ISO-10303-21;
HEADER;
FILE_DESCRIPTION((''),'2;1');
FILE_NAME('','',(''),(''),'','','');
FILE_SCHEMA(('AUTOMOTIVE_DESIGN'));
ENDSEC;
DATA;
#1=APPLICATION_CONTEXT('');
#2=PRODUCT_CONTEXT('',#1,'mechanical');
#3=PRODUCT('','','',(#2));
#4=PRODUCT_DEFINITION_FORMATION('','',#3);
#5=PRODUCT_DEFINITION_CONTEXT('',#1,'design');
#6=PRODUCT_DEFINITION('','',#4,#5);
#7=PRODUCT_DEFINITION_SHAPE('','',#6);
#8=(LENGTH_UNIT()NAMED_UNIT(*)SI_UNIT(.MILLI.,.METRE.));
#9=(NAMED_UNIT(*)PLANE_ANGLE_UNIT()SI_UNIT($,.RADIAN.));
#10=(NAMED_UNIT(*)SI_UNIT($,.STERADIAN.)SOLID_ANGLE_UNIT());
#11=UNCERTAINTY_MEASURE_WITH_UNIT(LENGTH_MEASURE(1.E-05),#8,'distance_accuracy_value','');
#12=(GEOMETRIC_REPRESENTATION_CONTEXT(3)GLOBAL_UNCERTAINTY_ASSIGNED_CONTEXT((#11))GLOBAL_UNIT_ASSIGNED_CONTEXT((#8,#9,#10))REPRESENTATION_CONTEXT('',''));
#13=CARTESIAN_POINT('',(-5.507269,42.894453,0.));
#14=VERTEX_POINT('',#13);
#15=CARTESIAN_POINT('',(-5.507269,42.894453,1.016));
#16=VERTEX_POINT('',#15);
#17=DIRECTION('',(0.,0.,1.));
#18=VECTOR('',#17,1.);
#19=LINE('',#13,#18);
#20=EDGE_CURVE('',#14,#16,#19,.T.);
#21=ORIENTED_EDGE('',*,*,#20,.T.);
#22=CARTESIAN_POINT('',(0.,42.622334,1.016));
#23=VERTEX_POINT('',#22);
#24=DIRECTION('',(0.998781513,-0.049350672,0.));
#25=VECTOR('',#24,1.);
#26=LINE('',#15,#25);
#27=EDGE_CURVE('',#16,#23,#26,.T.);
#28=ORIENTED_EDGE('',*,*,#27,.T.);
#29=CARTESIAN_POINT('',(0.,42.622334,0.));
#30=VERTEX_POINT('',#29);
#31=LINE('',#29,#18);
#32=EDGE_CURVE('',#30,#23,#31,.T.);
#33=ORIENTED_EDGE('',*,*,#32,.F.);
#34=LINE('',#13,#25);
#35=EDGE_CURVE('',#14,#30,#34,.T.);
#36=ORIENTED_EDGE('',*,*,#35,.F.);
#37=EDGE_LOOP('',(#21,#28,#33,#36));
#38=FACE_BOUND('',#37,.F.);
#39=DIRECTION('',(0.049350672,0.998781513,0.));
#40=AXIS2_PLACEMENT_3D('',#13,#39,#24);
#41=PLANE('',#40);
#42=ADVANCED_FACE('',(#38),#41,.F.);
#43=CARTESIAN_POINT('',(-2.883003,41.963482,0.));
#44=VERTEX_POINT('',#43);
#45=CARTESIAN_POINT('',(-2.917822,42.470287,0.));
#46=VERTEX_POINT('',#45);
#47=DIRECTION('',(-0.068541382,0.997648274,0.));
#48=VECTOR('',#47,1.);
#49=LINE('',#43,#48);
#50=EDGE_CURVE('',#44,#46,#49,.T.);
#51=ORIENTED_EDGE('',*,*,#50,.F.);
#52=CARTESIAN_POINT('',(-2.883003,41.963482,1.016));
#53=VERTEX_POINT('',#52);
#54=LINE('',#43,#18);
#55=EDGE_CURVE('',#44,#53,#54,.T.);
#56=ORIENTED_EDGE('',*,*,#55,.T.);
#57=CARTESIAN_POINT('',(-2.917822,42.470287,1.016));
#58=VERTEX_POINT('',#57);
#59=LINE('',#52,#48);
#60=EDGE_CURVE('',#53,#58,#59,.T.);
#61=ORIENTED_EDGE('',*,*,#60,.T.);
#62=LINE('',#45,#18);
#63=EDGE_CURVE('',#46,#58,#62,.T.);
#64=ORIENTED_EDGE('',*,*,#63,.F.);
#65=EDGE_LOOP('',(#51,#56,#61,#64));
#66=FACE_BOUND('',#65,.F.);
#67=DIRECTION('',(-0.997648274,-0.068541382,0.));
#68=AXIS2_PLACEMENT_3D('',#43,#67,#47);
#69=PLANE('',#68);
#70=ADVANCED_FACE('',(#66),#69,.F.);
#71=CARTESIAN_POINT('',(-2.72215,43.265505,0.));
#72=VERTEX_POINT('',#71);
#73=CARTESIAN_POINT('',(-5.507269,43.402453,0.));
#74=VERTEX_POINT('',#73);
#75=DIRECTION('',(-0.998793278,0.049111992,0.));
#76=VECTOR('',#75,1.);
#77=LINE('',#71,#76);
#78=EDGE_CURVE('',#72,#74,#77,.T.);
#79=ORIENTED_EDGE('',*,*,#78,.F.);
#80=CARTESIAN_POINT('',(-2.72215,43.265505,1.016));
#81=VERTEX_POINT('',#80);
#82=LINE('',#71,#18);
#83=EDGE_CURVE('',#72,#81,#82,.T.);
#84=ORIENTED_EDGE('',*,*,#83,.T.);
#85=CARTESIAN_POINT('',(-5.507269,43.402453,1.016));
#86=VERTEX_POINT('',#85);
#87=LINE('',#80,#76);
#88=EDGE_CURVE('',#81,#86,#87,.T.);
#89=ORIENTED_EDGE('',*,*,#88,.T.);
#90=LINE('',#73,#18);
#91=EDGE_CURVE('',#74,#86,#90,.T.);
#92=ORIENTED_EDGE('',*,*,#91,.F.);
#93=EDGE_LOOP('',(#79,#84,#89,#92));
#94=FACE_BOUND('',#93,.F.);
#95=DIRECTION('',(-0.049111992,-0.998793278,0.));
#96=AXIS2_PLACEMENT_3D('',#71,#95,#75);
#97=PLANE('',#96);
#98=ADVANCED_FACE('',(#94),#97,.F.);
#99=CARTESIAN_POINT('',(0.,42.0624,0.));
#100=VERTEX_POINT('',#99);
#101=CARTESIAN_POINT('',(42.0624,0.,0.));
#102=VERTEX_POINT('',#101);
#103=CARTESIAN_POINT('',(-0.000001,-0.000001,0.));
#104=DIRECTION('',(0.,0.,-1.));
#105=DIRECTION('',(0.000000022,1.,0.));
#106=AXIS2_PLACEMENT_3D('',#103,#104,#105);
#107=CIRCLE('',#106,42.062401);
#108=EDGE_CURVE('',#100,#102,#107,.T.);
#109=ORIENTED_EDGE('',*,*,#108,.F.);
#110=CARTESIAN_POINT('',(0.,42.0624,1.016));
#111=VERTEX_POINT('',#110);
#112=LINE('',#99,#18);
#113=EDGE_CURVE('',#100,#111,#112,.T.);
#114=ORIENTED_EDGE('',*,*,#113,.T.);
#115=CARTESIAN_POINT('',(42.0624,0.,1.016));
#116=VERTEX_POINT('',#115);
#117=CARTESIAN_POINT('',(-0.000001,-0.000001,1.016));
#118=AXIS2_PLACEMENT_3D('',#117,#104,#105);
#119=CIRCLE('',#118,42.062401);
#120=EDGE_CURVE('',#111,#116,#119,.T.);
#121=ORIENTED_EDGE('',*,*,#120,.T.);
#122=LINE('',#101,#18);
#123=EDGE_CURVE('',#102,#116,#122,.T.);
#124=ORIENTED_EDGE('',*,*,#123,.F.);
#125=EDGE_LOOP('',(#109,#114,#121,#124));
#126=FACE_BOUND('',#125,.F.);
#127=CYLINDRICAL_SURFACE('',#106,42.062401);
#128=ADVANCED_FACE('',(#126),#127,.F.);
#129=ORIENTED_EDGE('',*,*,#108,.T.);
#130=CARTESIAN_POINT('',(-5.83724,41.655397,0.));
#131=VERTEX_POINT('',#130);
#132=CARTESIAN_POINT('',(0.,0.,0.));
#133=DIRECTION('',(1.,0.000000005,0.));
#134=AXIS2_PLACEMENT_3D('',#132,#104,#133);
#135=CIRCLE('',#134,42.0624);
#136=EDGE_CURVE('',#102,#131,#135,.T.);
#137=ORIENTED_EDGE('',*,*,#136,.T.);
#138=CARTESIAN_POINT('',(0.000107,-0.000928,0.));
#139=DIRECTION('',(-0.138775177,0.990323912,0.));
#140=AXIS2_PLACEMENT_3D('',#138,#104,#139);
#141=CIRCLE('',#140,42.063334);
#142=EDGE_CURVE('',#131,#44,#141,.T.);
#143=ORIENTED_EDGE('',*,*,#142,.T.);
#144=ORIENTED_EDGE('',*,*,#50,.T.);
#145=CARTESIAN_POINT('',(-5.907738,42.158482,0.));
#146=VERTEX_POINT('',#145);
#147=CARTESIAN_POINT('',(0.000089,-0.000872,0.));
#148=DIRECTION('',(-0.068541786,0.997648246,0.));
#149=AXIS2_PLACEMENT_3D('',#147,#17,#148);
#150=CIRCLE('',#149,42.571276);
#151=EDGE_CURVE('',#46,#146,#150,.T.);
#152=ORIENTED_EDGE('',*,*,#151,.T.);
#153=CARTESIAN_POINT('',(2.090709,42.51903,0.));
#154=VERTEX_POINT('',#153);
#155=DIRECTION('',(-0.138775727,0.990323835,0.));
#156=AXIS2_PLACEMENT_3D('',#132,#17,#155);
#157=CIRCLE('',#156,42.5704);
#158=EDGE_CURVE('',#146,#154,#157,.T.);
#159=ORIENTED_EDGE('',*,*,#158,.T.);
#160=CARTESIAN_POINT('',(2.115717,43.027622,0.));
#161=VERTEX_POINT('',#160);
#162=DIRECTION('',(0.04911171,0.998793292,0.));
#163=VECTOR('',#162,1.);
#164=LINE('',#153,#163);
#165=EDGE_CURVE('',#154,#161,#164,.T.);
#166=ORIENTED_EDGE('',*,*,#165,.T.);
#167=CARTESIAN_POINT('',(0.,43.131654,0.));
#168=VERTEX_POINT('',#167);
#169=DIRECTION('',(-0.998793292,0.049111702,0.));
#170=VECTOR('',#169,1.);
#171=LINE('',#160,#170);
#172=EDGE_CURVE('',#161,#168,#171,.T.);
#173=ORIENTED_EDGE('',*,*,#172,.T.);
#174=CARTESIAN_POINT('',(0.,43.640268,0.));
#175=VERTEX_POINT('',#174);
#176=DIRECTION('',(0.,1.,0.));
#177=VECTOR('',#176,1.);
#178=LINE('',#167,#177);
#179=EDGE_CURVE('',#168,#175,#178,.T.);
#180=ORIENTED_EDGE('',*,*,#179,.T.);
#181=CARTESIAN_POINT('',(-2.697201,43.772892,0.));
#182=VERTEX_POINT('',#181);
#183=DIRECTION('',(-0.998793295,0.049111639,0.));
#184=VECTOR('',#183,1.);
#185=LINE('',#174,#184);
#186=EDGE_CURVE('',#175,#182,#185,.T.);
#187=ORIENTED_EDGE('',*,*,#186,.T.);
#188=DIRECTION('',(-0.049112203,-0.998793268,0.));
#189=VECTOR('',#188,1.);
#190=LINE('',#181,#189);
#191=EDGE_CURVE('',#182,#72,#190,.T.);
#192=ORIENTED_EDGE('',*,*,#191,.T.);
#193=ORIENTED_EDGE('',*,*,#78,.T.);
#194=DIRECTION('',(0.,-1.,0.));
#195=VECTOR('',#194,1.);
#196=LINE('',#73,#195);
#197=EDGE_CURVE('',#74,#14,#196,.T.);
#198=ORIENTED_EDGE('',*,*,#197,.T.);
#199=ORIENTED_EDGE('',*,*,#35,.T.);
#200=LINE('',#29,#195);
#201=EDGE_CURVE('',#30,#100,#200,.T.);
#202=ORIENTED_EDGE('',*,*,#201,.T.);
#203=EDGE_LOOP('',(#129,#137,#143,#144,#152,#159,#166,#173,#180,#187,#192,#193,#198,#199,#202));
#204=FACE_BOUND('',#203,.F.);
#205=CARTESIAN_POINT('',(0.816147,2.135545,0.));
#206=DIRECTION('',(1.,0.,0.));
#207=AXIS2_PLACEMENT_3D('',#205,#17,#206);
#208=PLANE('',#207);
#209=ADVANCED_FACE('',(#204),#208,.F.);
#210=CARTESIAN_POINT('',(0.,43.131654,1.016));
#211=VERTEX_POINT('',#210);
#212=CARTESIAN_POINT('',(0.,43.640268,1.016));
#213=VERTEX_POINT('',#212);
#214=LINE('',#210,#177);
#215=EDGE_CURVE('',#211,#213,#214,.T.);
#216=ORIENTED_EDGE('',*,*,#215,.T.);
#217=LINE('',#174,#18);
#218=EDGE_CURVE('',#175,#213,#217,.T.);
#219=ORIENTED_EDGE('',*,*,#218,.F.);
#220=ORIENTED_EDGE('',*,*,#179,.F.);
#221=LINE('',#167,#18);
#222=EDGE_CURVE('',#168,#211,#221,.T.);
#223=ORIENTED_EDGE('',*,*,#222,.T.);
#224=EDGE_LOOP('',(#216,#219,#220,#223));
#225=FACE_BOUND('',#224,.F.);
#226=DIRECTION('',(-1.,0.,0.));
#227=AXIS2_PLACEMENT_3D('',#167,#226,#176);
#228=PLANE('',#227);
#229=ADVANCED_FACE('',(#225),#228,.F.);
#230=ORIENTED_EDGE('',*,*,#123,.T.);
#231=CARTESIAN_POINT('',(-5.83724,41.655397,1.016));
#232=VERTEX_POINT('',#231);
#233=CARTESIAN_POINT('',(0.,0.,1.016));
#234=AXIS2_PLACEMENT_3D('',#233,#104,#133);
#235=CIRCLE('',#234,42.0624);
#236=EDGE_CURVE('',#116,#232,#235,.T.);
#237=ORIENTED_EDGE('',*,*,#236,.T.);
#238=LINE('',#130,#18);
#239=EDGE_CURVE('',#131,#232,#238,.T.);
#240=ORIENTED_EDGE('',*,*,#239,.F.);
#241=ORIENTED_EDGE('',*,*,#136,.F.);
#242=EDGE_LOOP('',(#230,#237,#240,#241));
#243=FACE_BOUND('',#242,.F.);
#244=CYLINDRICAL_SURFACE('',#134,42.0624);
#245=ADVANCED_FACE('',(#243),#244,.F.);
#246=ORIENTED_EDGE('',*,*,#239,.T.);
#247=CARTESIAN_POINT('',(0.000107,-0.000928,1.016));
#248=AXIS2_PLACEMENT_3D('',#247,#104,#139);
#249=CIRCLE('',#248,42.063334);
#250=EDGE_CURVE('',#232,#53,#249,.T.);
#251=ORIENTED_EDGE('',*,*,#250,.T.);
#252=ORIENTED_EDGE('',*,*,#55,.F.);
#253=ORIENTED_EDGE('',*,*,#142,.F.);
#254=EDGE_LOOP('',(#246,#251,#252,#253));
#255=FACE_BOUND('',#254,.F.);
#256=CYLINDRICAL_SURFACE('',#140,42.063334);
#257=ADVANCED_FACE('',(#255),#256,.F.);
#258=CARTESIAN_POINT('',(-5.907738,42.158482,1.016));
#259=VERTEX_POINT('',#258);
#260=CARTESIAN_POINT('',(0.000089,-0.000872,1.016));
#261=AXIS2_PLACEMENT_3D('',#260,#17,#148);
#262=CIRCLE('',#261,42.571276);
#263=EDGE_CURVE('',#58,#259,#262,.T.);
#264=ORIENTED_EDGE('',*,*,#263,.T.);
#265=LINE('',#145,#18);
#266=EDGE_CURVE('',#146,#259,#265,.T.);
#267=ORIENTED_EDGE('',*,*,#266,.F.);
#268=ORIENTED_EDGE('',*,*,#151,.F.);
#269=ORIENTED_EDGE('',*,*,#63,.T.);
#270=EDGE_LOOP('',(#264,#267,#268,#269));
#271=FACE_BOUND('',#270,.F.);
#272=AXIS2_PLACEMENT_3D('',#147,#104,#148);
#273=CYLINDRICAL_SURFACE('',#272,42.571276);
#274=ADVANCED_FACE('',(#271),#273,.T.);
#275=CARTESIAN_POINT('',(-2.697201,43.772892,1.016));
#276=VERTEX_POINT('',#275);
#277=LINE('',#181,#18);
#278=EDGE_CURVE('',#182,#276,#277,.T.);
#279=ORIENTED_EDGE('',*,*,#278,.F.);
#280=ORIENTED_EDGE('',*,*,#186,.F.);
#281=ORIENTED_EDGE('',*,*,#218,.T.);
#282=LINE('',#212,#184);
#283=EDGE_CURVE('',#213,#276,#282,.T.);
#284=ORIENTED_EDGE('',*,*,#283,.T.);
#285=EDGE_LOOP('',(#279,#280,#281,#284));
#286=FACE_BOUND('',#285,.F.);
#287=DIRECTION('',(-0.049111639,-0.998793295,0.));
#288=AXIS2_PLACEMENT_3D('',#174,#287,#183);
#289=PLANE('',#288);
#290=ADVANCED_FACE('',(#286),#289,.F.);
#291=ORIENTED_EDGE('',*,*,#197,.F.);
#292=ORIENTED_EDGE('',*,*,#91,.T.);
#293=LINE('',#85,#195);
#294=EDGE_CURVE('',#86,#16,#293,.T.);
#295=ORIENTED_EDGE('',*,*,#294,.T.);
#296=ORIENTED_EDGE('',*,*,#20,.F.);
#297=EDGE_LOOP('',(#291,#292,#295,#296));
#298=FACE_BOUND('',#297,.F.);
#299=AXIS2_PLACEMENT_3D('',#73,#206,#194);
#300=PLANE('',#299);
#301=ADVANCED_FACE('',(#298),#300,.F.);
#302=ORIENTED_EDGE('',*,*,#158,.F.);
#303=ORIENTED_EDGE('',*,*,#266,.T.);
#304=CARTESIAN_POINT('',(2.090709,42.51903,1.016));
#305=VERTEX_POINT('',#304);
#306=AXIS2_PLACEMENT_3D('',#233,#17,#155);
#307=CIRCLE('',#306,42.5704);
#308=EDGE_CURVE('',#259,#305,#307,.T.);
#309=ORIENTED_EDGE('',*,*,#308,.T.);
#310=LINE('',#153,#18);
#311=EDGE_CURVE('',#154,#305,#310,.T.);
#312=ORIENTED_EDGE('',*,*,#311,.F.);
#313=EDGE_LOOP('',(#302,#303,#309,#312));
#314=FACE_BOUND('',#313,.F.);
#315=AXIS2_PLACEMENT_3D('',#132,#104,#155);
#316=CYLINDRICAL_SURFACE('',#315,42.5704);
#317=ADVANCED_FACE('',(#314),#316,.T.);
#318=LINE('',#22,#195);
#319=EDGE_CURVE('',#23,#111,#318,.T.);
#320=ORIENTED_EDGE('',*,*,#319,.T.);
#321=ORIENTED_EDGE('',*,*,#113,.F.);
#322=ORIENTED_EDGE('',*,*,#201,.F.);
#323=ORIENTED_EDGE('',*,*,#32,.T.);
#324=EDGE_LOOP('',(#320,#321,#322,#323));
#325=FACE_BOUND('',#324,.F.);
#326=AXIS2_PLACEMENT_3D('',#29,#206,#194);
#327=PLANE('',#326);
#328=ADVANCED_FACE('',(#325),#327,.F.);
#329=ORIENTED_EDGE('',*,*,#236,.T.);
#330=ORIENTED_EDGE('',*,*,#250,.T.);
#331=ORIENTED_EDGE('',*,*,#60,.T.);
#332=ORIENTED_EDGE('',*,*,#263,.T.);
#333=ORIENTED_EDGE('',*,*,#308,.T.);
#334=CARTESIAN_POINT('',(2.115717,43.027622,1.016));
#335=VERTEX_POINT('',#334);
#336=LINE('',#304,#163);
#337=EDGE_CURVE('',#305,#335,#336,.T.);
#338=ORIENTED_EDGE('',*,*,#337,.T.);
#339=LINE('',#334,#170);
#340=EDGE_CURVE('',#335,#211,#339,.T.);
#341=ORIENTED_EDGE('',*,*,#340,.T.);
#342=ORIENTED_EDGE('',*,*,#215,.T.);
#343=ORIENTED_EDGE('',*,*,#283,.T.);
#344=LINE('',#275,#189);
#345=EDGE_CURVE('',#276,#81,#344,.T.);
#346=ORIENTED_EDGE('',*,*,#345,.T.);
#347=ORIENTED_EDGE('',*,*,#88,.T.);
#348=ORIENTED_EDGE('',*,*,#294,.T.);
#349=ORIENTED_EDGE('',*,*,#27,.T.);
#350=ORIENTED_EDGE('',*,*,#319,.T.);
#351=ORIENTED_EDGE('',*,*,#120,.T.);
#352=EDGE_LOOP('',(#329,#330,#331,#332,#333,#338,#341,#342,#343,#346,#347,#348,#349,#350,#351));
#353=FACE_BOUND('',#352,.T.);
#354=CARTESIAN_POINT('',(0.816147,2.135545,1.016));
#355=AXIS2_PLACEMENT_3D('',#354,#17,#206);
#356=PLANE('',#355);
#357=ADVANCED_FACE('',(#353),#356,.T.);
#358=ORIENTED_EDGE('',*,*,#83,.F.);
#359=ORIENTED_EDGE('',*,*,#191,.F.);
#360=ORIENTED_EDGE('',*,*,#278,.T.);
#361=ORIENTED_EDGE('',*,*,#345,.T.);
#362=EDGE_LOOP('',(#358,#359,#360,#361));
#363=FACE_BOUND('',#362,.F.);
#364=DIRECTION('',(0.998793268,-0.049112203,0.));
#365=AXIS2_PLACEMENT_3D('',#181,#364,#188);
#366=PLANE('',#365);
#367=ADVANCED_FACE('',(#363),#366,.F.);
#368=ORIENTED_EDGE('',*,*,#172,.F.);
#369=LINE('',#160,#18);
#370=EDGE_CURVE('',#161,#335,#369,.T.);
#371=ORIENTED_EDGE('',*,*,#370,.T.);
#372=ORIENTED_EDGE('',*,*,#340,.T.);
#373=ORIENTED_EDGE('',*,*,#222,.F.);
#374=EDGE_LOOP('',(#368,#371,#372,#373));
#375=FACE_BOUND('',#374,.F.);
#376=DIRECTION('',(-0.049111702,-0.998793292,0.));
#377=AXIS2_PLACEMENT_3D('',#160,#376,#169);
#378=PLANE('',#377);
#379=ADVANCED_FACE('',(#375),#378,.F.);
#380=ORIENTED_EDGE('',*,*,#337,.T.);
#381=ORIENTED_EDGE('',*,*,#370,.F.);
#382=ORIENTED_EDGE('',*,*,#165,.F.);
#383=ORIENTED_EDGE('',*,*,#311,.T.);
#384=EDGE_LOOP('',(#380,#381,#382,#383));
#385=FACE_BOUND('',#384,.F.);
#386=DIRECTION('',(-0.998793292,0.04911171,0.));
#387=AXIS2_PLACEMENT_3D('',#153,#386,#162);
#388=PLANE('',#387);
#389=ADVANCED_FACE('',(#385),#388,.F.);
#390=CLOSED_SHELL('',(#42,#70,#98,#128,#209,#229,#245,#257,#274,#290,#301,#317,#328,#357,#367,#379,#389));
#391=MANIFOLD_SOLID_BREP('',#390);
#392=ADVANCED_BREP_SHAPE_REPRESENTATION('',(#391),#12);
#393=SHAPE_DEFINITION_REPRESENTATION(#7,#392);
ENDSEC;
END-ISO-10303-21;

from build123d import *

# Parameters (mm, degrees)
F1_DEPTH = 1.016


with BuildPart() as f1:
    # F0 (on Top) → F1 (new body)
    with BuildSketch(Plane.XY):
        with BuildLine():
            ThreePointArc((42.0624, 0), (-27.601786, -31.739359), (-5.83724, 41.655397))
            ThreePointArc((-5.83724, 41.655397), (-4.362841, 41.835524), (-2.883003, 41.963482))
            Line((-2.883003, 41.963482), (-2.917822, 42.470287))
            ThreePointArc((-2.917822, 42.470287), (-4.415533, 42.340784), (-5.907738, 42.158482))
            ThreePointArc((-5.907738, 42.158482), (1.91701, -42.527215), (2.090709, 42.51903))
            Line((2.090709, 42.51903), (2.115717, 43.027622))
            Line((2.115717, 43.027622), (0, 43.131654))
            Line((0, 43.131654), (0, 43.640268))
            Line((0, 43.640268), (-2.697201, 43.772892))
            Line((-2.697201, 43.772892), (-2.72215, 43.265505))
            Line((-2.72215, 43.265505), (-5.507269, 43.402453))
            Line((-5.507269, 43.402453), (-5.507269, 42.894453))
            Line((-5.507269, 42.894453), (0, 42.622334))
            Line((0, 42.622334), (0, 42.0624))
            ThreePointArc((0, 42.0624), (29.742608, 29.742608), (42.0624, 0))
        make_face()
    extrude(amount=F1_DEPTH)


solid = f1.part
